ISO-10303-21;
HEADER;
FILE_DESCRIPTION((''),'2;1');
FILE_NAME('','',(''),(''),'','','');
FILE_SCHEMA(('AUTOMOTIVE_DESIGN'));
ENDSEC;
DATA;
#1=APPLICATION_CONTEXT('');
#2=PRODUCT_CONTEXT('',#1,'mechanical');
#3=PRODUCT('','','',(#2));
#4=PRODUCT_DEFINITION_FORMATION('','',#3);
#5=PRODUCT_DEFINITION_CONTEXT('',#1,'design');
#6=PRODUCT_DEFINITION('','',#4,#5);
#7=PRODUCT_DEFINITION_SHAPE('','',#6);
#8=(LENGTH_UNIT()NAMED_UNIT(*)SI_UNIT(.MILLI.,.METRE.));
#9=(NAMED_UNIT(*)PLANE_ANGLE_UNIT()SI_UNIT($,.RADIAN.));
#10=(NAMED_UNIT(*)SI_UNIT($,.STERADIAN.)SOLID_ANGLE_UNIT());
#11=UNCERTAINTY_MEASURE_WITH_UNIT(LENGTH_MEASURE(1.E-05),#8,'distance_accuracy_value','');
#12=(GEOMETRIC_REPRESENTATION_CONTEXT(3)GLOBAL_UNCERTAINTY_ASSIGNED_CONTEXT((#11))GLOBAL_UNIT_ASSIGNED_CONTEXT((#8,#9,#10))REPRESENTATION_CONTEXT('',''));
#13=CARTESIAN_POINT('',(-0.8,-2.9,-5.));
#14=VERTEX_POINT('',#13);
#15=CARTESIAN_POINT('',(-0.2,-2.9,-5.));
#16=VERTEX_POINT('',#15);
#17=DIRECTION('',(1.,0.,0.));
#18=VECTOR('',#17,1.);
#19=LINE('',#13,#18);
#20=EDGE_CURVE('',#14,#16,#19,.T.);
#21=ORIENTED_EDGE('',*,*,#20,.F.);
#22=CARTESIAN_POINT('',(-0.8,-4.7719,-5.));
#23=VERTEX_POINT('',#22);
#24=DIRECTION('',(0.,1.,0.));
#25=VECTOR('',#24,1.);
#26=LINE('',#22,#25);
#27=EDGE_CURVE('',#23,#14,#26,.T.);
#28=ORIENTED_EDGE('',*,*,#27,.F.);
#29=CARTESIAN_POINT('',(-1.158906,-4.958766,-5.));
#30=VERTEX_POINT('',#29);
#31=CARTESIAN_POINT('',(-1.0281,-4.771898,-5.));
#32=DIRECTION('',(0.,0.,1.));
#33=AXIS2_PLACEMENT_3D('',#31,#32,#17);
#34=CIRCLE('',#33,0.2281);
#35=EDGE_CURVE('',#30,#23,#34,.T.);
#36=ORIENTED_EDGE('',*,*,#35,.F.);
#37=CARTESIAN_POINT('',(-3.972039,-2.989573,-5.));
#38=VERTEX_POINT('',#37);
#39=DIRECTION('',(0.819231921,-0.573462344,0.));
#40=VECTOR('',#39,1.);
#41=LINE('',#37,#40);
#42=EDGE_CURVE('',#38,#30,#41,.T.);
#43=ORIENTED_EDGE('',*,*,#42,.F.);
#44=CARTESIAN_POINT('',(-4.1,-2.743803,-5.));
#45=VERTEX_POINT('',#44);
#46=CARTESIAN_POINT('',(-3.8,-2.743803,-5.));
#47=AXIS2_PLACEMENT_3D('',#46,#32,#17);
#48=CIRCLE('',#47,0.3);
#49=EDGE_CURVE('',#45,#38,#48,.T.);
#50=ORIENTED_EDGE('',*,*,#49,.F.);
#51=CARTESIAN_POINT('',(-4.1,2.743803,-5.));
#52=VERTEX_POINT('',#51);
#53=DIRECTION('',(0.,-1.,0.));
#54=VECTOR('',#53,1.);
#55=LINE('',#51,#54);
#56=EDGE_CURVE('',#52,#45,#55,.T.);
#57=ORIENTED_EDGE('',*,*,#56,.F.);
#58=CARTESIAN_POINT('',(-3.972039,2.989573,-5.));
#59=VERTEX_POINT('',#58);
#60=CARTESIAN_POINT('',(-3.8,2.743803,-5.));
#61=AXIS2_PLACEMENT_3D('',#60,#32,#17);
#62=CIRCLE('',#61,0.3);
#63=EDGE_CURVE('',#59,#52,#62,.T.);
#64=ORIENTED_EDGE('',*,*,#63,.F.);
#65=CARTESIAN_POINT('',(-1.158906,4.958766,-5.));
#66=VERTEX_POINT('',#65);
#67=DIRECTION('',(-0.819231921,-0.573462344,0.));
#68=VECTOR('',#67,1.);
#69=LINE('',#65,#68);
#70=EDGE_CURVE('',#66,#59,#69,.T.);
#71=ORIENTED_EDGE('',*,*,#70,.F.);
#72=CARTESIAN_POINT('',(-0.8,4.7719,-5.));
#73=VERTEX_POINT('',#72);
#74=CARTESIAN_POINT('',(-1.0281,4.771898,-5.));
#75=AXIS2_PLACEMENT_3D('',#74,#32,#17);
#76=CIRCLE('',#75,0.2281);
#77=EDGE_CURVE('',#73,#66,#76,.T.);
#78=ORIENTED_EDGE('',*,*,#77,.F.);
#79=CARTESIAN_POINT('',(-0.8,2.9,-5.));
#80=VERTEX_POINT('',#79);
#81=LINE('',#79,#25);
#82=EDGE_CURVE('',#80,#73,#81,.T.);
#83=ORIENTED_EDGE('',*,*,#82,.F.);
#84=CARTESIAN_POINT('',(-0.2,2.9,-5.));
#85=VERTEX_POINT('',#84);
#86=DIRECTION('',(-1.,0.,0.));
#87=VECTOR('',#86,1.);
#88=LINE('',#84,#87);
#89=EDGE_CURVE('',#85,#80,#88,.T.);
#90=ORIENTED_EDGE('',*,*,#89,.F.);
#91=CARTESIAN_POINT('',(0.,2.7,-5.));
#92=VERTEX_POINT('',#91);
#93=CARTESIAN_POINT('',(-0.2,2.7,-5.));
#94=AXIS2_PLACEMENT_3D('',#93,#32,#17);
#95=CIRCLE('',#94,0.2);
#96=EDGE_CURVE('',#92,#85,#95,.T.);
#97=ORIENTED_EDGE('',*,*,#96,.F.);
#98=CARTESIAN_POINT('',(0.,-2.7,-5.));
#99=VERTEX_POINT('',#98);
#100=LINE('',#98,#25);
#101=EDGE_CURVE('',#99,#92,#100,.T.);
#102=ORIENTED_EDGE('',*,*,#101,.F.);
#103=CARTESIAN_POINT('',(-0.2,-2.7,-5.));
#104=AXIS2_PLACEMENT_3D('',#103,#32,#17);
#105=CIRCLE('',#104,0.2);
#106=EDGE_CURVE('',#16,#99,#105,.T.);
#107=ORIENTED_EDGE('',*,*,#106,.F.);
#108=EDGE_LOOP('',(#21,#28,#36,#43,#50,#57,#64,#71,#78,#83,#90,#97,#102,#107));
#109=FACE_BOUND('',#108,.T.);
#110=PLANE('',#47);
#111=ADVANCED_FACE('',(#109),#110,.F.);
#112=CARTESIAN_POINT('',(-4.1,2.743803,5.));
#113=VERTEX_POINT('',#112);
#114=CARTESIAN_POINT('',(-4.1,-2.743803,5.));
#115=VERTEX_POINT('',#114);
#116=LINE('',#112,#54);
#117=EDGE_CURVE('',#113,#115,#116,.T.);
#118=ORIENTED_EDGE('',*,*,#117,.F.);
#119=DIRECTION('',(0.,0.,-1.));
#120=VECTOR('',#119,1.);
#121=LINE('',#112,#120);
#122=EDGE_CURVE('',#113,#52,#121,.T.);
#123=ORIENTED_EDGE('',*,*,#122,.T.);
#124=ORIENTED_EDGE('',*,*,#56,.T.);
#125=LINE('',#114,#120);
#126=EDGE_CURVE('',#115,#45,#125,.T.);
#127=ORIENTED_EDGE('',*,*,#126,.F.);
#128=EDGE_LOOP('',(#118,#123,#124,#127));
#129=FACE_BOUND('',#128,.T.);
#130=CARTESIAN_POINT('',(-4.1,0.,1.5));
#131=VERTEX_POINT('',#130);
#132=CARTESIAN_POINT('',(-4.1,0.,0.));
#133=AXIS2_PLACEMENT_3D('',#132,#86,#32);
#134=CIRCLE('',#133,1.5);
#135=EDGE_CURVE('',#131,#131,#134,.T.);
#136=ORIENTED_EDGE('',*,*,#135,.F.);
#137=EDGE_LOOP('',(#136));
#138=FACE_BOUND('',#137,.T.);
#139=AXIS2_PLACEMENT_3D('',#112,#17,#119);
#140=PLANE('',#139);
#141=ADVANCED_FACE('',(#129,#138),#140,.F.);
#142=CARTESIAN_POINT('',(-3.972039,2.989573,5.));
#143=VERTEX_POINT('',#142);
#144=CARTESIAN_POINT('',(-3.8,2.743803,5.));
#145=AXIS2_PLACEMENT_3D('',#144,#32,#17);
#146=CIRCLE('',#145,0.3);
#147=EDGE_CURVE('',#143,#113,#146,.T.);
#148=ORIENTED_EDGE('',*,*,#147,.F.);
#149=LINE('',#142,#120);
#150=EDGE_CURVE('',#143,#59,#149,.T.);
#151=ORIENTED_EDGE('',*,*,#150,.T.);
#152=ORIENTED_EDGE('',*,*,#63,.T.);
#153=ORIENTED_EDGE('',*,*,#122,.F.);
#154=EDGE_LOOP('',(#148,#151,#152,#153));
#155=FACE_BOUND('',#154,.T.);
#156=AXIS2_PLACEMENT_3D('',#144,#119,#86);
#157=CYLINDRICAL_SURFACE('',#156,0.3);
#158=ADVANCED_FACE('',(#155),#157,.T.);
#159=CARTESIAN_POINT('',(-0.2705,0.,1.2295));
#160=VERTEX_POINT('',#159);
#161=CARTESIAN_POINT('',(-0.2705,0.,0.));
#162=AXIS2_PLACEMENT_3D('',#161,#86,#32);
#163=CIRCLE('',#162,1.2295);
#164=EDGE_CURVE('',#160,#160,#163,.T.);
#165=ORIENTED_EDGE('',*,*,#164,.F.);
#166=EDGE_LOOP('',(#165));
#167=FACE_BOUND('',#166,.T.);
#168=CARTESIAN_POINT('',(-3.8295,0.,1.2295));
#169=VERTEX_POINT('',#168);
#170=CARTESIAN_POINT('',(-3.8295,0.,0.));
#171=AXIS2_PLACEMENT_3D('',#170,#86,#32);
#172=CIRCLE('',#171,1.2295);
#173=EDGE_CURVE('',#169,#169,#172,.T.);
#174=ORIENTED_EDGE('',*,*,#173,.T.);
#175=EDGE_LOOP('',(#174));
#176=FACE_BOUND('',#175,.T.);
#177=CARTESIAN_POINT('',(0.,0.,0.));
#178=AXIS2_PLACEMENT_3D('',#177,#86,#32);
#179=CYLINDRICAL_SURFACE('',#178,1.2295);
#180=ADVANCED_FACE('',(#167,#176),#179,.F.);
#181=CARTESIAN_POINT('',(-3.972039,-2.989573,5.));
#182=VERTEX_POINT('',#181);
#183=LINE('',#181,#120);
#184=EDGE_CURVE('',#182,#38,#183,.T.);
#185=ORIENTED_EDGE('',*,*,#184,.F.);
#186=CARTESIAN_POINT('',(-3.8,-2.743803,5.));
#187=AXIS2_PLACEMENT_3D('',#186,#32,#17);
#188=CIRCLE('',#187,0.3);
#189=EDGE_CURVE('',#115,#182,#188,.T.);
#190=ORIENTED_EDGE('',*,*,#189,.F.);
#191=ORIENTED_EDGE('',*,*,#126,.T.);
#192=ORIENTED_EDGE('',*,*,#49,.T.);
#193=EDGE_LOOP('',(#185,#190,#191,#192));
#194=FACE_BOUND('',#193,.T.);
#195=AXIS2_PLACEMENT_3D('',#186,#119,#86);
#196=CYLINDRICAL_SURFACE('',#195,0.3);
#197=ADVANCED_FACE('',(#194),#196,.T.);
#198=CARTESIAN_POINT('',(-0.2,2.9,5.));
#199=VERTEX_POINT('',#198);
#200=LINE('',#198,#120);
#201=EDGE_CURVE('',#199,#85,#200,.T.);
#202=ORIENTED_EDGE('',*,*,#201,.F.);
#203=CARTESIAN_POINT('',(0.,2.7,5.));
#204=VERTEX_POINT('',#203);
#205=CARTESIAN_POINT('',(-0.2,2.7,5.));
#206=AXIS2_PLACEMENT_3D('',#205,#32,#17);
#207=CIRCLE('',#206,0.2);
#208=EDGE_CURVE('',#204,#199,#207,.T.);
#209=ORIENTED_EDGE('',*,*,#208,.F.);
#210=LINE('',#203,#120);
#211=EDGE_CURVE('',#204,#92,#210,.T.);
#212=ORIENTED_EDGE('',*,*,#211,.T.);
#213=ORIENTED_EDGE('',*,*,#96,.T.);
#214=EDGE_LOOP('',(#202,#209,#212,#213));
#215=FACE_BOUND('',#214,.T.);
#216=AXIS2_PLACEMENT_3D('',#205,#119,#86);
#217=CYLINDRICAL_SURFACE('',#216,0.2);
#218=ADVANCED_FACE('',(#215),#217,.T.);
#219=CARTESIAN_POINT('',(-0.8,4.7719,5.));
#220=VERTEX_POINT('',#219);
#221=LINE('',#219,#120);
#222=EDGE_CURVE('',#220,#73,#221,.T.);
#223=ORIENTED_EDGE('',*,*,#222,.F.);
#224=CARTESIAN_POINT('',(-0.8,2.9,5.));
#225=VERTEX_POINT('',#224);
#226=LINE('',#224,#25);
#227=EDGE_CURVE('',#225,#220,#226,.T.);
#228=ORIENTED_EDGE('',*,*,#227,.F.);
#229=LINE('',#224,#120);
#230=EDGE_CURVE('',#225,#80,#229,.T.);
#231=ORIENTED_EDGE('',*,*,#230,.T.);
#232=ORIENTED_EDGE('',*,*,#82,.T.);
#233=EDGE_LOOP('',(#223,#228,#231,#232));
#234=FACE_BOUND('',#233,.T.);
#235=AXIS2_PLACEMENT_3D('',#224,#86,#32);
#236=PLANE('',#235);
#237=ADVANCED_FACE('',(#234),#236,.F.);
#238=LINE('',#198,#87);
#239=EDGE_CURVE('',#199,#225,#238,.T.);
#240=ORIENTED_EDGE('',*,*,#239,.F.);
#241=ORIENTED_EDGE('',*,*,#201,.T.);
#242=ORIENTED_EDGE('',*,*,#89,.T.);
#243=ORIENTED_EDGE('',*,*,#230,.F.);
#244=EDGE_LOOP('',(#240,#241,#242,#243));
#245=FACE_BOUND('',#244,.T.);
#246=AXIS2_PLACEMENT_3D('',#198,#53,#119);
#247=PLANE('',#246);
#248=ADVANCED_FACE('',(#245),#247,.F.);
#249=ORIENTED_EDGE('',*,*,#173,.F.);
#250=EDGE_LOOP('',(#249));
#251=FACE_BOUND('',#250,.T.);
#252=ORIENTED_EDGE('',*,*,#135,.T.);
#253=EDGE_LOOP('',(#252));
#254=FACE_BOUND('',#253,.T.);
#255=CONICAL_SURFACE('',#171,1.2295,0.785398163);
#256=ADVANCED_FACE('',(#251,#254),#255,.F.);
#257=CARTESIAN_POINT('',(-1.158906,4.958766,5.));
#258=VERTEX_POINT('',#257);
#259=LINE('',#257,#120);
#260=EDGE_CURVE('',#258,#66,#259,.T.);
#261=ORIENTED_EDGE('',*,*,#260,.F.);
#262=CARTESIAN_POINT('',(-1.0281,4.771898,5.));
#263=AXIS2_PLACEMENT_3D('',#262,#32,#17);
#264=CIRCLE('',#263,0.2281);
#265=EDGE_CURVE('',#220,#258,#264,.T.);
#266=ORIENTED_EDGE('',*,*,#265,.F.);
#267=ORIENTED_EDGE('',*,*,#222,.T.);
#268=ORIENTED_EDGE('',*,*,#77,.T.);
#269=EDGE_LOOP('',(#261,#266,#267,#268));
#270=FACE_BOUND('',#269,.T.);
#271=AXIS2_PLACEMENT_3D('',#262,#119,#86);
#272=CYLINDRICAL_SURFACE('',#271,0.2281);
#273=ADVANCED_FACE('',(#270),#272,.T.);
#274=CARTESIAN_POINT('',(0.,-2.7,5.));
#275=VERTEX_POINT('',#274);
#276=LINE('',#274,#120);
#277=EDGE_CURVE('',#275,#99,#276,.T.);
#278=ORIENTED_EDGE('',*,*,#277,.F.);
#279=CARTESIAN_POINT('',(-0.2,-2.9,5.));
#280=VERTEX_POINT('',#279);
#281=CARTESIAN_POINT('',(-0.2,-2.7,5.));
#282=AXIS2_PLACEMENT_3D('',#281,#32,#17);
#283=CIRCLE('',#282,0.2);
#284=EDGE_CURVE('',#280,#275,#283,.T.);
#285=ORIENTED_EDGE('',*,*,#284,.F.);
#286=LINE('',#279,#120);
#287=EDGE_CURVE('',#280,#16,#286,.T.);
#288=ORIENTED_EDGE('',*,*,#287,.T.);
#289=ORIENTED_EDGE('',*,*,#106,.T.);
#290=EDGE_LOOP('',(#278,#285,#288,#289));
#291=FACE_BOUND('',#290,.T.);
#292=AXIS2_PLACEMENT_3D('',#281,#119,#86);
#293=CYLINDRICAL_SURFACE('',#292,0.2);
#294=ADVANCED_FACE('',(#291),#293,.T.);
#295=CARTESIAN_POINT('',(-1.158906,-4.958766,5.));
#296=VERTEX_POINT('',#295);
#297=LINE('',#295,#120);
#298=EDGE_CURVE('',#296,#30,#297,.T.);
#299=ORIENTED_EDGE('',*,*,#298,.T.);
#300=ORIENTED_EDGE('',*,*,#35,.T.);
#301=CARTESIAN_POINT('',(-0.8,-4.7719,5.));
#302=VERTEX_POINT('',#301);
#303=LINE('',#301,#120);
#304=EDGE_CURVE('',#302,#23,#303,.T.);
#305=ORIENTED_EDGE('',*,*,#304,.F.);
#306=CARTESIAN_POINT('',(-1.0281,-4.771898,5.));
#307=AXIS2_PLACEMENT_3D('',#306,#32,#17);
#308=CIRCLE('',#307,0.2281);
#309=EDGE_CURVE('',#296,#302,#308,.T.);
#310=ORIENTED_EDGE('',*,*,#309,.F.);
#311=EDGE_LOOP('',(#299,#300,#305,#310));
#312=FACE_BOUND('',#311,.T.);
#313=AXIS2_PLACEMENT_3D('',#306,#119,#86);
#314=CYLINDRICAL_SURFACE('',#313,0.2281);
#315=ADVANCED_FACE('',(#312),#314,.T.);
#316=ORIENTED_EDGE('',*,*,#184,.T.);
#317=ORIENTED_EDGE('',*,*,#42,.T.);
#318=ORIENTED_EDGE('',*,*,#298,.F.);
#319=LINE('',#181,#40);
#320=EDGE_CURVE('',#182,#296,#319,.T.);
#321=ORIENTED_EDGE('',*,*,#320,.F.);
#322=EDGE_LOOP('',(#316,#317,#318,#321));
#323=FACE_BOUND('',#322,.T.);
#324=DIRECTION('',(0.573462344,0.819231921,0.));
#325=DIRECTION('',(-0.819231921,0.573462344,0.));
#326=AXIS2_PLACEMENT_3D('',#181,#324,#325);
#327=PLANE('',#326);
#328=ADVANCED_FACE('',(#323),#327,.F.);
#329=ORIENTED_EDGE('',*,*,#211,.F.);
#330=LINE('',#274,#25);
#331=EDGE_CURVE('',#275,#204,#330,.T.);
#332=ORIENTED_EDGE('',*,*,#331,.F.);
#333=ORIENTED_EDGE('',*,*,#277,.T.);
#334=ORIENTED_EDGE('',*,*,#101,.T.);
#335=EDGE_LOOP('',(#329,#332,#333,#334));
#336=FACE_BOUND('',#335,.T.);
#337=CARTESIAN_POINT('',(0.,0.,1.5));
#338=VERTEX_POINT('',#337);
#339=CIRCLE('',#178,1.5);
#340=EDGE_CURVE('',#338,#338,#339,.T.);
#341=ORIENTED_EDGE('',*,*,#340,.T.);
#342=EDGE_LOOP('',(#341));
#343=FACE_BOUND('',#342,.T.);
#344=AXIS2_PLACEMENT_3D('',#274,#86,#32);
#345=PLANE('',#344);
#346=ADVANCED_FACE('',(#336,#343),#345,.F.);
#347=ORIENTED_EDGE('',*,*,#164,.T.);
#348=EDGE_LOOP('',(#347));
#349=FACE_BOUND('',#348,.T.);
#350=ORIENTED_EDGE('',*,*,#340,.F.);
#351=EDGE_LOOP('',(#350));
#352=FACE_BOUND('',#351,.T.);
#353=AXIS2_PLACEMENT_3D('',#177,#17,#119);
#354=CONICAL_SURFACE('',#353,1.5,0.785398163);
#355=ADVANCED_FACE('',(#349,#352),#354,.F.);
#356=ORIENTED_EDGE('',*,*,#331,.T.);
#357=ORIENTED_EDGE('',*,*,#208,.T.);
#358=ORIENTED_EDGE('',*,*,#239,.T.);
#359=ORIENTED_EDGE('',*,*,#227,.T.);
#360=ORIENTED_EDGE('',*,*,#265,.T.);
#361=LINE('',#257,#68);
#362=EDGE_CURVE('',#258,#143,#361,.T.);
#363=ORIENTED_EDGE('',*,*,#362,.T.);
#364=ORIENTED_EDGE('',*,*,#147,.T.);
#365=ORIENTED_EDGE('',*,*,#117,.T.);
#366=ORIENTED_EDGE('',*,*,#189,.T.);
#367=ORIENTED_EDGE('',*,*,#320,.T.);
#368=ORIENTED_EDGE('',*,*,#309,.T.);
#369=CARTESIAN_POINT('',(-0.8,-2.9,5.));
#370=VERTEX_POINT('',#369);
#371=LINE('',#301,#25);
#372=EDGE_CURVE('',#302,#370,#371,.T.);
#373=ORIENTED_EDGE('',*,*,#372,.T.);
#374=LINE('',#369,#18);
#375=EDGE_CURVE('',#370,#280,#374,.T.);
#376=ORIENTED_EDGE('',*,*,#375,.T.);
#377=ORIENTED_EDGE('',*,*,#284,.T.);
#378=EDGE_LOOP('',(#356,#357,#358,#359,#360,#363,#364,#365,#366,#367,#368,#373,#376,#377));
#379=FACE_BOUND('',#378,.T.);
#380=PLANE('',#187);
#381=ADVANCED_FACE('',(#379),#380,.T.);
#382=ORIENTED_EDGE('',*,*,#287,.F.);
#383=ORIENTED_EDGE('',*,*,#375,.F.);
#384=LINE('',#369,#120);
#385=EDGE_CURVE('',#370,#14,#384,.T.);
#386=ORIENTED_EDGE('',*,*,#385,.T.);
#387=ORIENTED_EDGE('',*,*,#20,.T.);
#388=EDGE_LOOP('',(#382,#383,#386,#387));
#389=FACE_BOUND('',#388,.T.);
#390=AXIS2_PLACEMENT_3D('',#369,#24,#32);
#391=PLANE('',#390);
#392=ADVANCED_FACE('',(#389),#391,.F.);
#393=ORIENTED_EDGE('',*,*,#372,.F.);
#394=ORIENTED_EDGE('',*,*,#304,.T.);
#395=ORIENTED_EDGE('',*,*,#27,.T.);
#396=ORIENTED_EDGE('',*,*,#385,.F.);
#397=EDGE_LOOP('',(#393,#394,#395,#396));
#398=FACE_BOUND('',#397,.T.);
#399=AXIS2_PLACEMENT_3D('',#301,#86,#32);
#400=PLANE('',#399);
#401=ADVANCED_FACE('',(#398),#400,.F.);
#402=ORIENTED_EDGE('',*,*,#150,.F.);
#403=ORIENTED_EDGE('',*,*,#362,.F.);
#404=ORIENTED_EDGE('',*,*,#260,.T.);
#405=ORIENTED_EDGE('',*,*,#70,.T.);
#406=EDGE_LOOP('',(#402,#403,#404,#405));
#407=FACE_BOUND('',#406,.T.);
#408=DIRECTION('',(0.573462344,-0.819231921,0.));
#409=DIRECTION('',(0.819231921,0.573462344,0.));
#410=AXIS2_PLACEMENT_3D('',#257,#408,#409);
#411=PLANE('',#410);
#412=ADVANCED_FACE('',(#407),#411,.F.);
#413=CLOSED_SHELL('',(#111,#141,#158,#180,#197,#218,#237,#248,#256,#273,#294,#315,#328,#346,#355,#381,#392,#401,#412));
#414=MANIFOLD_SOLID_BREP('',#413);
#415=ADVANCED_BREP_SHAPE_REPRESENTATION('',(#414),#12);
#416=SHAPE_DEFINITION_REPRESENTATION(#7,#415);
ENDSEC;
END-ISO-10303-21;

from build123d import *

# Parameters (mm, degrees)
BOSS_EXTRUDE1_DEPTH      = 5
BOSS_EXTRUDE1_DEPTH_BACK = 5


with BuildPart() as part:
    # Sketch1 → Boss-Extrude1 (new, two sides: drawn at the far end of the back side and taken through both)
    with BuildSketch(Plane.XY.offset(-BOSS_EXTRUDE1_DEPTH_BACK)):
        with BuildLine():
            Line((-3.972038703, -2.989572908), (-1.15890604, -4.958765772))
            ThreePointArc((-1.15890604, -4.958765772), (-0.922761342, -4.974218454), (-0.8, -4.7719))
            Line((-0.8, -4.7719), (-0.8, -2.9))
            Line((-0.8, -2.9), (-0.2, -2.9))
            ThreePointArc((-0.2, -2.9), (-0.058578644, -2.841421356), (0, -2.7))
            Line((0, -2.7), (0, 2.7))
            ThreePointArc((0, 2.7), (-0.058578644, 2.841421356), (-0.2, 2.9))
            Line((-0.2, 2.9), (-0.8, 2.9))
            Line((-0.8, 2.9), (-0.8, 4.7719))
            ThreePointArc((-0.8, 4.7719), (-0.922761342, 4.974218454), (-1.15890604, 4.958765772))
            Line((-1.15890604, 4.958765772), (-3.972038703, 2.989572908))
            ThreePointArc((-3.972038703, 2.989572908), (-4.066093603, 2.882346446), (-4.1, 2.743803332))
            Line((-4.1, 2.743803332), (-4.1, -2.743803332))
            ThreePointArc((-4.1, -2.743803332), (-4.066093603, -2.882346446), (-3.972038703, -2.989572908))
        make_face()
    extrude(amount=BOSS_EXTRUDE1_DEPTH + BOSS_EXTRUDE1_DEPTH_BACK)

    # Sketch2 → Cut-Revolve1 (revolve, cut)
    with BuildSketch(Plane.XY):
        Polygon((-4.1, 0), (-4.1, 1.5), (-3.8295, 1.2295), (-0.2705, 1.2295), (0, 1.5), (0, 0), align=None)
    revolve(axis=Axis((0, 0, 0), (-1, 0, 0)), mode=Mode.SUBTRACT)


solid = part.part
